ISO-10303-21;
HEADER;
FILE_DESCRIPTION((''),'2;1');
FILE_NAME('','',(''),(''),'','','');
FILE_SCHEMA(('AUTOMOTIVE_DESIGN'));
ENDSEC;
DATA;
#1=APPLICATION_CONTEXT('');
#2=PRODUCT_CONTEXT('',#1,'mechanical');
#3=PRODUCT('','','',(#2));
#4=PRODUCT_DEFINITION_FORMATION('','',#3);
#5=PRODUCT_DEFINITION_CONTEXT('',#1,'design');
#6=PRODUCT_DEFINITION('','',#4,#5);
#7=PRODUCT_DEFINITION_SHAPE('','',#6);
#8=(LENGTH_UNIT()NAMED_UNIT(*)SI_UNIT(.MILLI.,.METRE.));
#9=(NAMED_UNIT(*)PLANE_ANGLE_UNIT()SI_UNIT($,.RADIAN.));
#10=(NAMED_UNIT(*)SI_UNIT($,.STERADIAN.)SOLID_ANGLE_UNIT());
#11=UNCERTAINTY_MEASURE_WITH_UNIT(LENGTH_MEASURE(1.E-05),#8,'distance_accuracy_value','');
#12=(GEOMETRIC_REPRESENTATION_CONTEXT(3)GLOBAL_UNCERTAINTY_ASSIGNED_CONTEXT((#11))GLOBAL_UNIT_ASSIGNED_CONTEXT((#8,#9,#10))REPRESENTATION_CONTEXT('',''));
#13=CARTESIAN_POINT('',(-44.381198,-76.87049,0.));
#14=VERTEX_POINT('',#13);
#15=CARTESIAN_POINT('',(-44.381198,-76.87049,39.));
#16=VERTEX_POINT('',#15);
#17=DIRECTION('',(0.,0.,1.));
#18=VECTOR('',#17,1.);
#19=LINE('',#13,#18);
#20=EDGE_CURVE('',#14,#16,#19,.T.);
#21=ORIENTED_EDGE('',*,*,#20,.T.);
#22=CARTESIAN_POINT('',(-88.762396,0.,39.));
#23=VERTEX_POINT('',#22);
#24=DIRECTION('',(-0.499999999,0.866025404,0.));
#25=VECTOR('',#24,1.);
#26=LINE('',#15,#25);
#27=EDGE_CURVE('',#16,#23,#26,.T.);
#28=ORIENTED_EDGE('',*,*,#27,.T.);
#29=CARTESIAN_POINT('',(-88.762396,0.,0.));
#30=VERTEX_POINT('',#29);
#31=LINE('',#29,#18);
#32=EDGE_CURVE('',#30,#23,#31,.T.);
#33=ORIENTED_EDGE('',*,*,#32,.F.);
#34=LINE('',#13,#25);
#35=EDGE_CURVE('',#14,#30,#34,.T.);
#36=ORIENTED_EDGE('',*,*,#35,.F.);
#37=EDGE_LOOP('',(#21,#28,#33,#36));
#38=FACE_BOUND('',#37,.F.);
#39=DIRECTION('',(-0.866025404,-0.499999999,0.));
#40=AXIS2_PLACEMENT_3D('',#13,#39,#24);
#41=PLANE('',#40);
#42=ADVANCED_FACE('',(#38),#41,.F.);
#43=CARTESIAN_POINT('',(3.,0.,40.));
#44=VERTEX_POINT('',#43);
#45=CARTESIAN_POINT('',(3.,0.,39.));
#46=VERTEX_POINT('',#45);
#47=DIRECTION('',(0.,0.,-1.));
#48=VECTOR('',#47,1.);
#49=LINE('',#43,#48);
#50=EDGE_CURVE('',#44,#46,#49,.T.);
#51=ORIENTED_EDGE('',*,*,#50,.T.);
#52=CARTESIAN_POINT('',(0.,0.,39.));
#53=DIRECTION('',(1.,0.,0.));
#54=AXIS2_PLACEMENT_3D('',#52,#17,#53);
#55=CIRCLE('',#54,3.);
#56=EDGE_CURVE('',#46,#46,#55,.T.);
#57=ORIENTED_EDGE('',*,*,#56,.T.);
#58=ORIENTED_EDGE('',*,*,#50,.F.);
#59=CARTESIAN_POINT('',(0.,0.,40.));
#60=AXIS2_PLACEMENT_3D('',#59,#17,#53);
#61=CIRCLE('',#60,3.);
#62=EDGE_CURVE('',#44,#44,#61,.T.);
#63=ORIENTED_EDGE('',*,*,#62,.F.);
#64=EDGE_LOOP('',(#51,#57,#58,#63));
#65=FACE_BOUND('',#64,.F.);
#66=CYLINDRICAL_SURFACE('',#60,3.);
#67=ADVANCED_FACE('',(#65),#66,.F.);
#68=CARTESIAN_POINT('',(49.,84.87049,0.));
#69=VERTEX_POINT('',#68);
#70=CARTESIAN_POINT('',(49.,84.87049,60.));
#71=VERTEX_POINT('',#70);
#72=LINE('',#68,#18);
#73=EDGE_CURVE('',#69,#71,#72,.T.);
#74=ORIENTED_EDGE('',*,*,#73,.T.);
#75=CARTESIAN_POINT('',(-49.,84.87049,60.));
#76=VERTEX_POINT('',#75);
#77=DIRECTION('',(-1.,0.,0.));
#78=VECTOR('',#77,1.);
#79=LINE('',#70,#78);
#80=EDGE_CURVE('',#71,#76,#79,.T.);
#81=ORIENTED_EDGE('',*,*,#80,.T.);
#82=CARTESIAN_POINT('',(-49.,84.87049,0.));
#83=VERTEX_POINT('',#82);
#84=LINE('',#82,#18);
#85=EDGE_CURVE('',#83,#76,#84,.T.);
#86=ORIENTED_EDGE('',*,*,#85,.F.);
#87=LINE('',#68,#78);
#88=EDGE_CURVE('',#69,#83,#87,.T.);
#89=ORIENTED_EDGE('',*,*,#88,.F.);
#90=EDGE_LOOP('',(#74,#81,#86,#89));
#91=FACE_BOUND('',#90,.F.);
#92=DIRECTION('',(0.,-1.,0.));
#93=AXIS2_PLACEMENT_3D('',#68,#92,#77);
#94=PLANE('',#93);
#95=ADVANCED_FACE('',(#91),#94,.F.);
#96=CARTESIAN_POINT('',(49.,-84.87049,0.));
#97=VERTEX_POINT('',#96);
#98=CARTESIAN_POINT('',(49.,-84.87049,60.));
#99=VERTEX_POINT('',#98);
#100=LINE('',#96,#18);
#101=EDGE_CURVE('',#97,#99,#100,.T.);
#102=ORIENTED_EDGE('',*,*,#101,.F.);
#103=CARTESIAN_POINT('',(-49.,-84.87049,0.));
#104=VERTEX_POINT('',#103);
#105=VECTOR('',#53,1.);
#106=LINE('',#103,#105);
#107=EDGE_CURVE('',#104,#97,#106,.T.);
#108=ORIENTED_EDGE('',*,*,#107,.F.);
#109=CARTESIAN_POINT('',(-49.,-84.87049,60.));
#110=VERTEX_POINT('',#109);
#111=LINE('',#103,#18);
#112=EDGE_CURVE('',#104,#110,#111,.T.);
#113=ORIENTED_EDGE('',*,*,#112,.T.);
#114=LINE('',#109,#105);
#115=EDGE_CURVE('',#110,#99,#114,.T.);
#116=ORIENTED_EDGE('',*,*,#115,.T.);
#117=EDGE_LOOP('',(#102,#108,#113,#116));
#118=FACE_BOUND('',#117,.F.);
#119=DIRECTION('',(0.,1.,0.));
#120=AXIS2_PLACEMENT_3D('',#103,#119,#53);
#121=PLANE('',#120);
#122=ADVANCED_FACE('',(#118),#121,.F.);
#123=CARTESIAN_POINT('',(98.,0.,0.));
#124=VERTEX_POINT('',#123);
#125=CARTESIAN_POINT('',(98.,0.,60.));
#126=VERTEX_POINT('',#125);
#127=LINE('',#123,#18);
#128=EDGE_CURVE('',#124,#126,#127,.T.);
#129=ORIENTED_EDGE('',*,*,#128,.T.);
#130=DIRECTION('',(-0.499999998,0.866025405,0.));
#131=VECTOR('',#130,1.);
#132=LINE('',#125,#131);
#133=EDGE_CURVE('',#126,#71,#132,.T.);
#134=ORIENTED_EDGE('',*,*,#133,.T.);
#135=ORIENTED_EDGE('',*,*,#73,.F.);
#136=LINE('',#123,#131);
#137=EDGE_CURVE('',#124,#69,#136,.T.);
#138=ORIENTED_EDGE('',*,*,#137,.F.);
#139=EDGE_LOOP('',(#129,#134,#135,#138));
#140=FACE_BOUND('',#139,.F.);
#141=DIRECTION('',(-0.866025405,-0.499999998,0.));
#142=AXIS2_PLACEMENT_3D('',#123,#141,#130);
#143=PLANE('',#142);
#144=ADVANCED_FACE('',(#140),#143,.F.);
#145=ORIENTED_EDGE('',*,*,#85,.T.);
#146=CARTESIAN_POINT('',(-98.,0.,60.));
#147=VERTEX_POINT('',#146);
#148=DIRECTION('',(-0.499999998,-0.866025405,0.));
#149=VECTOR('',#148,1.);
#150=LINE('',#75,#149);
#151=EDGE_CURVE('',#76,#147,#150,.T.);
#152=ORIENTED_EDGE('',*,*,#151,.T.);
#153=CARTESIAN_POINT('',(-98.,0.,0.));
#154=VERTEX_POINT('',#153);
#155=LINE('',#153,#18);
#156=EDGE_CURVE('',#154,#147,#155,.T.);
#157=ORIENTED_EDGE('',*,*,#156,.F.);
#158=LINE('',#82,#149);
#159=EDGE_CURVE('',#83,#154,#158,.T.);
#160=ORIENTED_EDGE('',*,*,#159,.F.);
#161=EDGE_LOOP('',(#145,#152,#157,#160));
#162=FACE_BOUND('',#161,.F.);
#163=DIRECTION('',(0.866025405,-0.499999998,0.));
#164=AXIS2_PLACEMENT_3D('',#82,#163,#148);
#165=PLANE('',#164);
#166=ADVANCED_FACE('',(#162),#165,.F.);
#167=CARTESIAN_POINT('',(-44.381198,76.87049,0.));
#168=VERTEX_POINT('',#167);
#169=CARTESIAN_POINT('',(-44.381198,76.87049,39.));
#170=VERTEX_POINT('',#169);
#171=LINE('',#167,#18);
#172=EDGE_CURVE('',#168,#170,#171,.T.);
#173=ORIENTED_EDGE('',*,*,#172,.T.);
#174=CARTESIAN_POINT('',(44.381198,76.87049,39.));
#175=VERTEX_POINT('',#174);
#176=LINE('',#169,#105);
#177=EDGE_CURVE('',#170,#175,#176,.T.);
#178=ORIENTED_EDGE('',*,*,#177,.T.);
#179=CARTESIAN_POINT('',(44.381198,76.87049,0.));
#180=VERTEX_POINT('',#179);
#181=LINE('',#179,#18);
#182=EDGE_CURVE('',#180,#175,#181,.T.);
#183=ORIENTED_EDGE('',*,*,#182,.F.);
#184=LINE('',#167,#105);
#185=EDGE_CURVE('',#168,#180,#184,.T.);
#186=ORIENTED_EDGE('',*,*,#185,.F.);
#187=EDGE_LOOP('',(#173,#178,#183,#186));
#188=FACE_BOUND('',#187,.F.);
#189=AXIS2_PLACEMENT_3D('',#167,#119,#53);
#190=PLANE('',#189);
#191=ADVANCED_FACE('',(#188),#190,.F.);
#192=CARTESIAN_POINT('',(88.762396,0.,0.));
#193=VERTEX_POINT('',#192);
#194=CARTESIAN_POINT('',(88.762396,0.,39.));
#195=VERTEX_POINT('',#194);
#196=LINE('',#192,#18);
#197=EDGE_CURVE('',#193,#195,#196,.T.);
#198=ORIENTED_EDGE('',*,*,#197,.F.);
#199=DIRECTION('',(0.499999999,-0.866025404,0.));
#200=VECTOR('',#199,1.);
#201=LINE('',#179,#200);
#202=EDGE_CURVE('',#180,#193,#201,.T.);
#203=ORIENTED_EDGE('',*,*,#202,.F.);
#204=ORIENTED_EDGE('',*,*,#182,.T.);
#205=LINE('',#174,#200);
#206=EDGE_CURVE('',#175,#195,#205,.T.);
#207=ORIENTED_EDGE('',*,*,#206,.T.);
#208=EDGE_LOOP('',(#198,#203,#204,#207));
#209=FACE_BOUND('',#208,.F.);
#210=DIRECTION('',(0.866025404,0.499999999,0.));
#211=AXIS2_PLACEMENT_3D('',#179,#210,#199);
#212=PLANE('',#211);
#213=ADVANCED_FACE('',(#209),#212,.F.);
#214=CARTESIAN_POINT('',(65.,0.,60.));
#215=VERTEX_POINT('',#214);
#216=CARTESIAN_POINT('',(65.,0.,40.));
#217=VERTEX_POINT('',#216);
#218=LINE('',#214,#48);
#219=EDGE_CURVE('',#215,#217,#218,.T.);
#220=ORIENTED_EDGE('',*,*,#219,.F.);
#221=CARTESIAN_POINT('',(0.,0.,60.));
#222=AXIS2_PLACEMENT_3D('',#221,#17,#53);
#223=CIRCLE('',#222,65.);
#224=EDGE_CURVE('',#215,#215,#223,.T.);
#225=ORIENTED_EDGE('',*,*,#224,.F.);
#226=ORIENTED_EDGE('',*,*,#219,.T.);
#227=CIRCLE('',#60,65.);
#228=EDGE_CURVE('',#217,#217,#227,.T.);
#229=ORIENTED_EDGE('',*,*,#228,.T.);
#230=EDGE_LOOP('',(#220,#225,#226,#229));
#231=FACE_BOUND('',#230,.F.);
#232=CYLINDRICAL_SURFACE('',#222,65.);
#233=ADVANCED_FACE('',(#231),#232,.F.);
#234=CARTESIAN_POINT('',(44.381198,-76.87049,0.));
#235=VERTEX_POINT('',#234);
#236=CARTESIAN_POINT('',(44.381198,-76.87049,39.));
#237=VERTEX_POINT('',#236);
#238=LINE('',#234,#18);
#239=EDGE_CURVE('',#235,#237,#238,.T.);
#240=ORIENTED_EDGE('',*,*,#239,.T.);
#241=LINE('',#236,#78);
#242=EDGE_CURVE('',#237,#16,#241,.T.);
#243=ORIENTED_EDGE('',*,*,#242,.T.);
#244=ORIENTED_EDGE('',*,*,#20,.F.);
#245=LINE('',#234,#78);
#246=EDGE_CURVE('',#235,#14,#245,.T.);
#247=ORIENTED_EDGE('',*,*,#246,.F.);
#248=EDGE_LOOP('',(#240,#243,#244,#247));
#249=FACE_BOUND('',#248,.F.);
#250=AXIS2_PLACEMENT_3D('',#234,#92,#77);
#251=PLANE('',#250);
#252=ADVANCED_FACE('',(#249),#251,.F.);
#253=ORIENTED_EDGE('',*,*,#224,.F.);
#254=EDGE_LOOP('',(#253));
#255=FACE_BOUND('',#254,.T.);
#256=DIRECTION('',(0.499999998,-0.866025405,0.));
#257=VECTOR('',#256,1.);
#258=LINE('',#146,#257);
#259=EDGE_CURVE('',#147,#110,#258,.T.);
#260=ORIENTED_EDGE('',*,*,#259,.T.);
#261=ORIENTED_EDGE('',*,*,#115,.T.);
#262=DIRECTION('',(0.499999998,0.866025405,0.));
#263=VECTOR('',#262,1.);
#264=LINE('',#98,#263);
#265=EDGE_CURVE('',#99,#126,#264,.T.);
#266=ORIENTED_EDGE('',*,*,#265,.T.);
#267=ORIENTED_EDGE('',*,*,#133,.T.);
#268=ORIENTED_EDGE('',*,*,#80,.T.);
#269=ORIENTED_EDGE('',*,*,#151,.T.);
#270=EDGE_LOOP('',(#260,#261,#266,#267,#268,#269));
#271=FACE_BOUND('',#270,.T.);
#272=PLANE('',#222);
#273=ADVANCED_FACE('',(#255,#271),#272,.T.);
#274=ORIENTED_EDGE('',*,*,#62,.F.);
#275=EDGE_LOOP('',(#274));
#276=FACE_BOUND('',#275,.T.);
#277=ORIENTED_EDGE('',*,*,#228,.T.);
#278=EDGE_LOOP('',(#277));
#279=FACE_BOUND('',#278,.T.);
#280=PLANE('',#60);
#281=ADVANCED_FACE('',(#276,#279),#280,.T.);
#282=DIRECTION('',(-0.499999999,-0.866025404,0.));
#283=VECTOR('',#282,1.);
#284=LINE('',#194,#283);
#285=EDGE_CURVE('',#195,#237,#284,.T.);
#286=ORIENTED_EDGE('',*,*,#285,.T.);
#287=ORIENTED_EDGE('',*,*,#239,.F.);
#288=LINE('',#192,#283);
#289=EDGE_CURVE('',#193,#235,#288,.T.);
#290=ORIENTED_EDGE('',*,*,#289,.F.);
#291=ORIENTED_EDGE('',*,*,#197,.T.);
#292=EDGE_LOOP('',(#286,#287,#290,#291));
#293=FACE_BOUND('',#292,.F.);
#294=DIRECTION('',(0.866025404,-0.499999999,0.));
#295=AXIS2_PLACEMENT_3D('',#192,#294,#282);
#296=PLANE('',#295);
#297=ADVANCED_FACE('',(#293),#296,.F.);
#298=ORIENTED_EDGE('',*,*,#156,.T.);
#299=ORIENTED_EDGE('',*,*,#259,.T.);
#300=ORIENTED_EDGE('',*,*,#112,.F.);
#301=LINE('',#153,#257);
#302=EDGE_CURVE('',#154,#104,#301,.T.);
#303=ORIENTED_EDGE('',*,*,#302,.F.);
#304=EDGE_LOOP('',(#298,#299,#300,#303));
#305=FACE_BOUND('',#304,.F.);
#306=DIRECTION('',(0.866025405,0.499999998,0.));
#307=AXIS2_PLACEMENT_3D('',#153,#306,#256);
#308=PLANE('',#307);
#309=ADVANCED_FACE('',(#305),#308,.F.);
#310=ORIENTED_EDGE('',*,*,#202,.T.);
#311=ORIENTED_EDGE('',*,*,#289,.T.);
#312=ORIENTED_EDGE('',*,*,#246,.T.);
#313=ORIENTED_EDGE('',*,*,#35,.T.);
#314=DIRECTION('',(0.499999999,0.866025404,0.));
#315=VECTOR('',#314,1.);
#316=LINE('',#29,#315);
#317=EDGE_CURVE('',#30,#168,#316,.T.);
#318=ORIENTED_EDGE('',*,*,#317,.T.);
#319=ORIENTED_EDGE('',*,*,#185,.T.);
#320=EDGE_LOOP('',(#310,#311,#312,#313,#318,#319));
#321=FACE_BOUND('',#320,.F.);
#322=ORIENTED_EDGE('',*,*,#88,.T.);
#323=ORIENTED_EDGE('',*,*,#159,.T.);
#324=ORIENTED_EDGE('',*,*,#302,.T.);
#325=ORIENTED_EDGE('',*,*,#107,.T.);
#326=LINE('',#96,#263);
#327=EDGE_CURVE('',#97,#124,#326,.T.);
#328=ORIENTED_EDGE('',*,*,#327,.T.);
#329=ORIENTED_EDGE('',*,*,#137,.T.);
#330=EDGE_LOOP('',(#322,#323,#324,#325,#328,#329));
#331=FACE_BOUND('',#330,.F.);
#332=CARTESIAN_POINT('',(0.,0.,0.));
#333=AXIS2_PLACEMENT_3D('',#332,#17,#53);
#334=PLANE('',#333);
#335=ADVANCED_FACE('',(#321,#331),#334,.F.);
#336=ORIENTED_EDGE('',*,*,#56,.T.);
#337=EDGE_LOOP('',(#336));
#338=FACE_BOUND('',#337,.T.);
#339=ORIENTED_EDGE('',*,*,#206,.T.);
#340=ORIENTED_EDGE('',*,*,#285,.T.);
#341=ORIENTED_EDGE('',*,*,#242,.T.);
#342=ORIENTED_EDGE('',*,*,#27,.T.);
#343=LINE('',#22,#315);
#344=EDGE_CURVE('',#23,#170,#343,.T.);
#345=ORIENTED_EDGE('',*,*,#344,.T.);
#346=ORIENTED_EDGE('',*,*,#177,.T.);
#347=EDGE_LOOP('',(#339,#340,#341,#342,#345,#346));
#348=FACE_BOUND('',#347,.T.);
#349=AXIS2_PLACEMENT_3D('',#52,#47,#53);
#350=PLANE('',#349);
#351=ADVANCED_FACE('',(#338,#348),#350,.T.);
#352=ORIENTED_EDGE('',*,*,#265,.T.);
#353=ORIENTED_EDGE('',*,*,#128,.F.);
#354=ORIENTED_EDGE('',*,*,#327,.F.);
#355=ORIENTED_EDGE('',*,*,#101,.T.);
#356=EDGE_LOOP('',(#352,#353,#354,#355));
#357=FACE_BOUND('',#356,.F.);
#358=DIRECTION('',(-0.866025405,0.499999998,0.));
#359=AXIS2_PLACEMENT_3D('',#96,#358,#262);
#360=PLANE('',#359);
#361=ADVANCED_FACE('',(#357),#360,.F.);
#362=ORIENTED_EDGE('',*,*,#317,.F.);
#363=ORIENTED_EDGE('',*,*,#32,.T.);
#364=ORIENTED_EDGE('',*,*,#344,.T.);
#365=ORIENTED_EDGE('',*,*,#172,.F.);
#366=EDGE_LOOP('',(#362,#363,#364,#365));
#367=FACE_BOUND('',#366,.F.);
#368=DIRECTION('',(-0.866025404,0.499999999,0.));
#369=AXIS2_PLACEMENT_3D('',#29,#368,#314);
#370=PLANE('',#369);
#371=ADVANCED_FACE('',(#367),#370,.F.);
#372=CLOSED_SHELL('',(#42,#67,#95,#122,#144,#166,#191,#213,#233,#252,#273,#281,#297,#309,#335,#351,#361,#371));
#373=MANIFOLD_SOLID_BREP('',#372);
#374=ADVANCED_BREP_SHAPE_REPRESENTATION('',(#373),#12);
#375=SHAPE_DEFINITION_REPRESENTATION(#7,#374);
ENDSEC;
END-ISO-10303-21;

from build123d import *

# Parameters (mm, degrees)
PAD001_DEPTH    = 60
SKETCH003_R     = 65
POCKET001_DEPTH = 20
POCKET003_DEPTH = 39
SKETCH015_R     = 3
POCKET004_DEPTH = 40.001


with BuildPart() as part:
    # Sketch002 → Pad001 (new body)
    with BuildSketch(Plane.XY):
        Polygon((49, 84.87049), (-49, 84.87049), (-98, 0), (-49, -84.87049), (49, -84.87049), (98, 0), align=None)
    extrude(amount=PAD001_DEPTH)

    # Sketch003 (on Face8 of Pad001) → Pocket001 (cut)
    with BuildSketch(Plane.XY.offset(60)):
        Circle(SKETCH003_R)
    extrude(amount=-POCKET001_DEPTH, mode=Mode.SUBTRACT)

    # Sketch014 (on Face4 of Pocket001) → Pocket003 (cut)
    with BuildSketch(Plane(origin=(0, 0, 0), x_dir=(1, 0, 0), z_dir=(0, 0, -1))):
        Polygon((44.381198, 76.87049), (-44.381198, 76.87049), (-88.762396, 0), (-44.381198, -76.87049), (44.381198, -76.87049), (88.762396, 0), align=None)
    extrude(amount=-POCKET003_DEPTH, mode=Mode.SUBTRACT)

    # Sketch015 (on Face17 of Pocket003) → Pocket004 (cut, through all)
    with BuildSketch(Plane.XY.offset(40)):
        Circle(SKETCH015_R)
    extrude(amount=-POCKET004_DEPTH, mode=Mode.SUBTRACT)


solid = part.part
